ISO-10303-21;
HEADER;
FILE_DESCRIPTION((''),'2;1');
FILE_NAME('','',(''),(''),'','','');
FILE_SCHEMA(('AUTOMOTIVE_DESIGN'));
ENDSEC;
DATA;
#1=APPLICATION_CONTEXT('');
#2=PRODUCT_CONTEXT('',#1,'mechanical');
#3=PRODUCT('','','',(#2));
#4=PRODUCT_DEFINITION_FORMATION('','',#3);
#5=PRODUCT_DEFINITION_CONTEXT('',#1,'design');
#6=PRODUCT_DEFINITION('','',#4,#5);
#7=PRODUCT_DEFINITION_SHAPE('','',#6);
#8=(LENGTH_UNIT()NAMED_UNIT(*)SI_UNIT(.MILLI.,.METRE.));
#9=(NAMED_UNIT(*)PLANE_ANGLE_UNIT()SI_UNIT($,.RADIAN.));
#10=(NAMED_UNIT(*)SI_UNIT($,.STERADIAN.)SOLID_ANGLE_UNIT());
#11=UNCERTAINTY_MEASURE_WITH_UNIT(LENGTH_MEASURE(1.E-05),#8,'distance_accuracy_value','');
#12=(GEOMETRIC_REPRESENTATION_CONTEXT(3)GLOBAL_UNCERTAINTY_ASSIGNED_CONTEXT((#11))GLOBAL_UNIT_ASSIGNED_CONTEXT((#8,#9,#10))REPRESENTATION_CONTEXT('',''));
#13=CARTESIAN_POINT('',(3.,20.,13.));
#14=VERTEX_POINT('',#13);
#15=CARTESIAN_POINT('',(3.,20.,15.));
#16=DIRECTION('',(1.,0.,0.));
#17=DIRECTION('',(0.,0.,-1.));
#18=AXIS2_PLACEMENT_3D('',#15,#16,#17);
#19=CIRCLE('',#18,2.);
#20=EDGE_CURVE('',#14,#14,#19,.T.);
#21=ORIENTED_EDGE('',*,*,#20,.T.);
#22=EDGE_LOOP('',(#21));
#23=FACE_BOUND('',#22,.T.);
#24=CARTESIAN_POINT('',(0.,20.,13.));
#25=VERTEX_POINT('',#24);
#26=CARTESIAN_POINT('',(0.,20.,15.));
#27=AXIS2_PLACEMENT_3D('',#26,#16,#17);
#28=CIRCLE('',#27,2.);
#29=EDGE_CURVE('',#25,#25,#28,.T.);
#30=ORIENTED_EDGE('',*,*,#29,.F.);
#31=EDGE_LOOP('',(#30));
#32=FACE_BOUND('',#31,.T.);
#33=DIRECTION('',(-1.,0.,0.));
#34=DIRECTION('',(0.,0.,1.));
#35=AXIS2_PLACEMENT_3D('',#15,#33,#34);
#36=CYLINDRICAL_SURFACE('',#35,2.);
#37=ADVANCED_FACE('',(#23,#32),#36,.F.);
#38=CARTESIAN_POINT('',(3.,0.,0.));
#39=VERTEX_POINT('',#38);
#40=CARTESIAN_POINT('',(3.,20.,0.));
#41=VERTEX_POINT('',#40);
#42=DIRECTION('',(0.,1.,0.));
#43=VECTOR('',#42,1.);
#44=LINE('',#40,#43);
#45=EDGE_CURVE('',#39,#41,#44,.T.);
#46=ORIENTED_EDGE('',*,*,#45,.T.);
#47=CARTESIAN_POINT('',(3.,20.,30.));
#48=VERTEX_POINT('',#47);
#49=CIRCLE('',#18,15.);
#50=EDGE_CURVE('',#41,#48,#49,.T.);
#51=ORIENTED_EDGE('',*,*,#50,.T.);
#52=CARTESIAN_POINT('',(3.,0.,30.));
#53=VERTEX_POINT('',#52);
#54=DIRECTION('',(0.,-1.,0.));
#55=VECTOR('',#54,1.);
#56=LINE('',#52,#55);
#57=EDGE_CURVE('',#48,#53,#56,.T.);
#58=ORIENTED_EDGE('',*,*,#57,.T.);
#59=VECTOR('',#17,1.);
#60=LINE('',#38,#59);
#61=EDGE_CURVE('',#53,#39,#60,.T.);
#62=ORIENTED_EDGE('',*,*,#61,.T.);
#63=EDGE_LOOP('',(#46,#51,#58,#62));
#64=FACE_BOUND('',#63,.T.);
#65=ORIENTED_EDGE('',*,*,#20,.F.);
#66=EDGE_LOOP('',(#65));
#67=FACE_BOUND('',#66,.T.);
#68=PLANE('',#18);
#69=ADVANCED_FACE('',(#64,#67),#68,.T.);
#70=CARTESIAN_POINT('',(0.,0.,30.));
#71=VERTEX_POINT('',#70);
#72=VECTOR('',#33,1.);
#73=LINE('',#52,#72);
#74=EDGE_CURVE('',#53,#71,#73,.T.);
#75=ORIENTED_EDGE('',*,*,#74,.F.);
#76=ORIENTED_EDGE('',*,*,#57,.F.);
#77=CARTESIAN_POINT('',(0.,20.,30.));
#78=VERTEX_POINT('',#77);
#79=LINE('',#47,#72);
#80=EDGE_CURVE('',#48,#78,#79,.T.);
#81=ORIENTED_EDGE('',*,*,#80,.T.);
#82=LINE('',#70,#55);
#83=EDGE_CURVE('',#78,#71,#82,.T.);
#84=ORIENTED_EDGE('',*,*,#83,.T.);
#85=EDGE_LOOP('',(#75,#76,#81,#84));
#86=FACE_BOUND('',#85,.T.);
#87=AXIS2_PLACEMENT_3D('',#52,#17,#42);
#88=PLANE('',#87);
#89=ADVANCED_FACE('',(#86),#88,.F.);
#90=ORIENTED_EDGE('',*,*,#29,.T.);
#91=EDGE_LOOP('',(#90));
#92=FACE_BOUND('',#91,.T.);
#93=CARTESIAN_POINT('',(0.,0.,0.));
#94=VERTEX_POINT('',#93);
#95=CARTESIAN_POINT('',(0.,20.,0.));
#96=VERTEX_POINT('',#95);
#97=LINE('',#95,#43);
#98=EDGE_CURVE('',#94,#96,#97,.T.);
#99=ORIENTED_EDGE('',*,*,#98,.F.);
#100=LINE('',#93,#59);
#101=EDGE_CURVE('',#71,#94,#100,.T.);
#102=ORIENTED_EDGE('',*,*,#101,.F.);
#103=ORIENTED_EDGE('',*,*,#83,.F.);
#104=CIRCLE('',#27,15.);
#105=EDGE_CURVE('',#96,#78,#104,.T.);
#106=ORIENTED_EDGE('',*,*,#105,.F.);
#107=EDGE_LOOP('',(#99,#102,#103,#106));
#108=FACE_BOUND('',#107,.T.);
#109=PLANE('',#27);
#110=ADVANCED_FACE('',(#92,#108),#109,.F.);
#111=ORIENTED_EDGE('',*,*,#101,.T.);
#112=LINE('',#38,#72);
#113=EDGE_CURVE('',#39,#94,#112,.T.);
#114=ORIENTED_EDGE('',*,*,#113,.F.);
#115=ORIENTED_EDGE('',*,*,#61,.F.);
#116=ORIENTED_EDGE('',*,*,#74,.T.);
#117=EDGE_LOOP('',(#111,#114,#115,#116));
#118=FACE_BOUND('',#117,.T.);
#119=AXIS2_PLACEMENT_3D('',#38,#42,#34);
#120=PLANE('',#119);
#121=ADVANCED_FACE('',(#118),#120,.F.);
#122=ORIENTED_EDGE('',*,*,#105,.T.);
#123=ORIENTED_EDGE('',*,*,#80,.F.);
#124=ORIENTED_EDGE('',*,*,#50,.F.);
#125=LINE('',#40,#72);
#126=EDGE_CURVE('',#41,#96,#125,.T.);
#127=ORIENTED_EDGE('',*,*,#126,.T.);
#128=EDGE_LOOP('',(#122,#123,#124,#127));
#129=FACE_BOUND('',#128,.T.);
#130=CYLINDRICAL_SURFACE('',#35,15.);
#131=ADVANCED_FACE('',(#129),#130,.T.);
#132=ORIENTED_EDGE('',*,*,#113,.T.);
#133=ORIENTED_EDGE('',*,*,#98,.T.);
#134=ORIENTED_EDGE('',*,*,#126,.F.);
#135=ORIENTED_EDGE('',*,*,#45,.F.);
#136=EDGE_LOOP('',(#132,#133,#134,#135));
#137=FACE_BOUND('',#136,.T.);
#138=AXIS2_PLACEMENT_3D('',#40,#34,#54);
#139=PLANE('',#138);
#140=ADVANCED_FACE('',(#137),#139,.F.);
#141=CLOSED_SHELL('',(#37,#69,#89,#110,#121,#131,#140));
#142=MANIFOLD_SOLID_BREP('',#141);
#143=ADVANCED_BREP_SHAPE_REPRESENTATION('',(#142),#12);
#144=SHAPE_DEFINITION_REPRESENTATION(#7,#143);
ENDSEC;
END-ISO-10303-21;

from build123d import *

# Parameters (mm, degrees)
CROQUIS1_R              = 2
SALIENTE_EXTRUIR1_DEPTH = 3


with BuildPart() as part:
    # Croquis1 → Saliente-Extruir1 (new body)
    with BuildSketch(Plane(origin=(0, 0, 0), x_dir=(0, 0, -1), z_dir=(1, 0, 0))):
        with BuildLine():
            Line((0, 20), (0, 0))
            Line((0, 0), (-30, 0))
            Line((-30, 0), (-30, 20))
            ThreePointArc((-30, 20), (-15, 35), (0, 20))
        make_face()
        with Locations((-15, 20)):
            Circle(CROQUIS1_R, mode=Mode.SUBTRACT)
    extrude(amount=SALIENTE_EXTRUIR1_DEPTH)


solid = part.part
